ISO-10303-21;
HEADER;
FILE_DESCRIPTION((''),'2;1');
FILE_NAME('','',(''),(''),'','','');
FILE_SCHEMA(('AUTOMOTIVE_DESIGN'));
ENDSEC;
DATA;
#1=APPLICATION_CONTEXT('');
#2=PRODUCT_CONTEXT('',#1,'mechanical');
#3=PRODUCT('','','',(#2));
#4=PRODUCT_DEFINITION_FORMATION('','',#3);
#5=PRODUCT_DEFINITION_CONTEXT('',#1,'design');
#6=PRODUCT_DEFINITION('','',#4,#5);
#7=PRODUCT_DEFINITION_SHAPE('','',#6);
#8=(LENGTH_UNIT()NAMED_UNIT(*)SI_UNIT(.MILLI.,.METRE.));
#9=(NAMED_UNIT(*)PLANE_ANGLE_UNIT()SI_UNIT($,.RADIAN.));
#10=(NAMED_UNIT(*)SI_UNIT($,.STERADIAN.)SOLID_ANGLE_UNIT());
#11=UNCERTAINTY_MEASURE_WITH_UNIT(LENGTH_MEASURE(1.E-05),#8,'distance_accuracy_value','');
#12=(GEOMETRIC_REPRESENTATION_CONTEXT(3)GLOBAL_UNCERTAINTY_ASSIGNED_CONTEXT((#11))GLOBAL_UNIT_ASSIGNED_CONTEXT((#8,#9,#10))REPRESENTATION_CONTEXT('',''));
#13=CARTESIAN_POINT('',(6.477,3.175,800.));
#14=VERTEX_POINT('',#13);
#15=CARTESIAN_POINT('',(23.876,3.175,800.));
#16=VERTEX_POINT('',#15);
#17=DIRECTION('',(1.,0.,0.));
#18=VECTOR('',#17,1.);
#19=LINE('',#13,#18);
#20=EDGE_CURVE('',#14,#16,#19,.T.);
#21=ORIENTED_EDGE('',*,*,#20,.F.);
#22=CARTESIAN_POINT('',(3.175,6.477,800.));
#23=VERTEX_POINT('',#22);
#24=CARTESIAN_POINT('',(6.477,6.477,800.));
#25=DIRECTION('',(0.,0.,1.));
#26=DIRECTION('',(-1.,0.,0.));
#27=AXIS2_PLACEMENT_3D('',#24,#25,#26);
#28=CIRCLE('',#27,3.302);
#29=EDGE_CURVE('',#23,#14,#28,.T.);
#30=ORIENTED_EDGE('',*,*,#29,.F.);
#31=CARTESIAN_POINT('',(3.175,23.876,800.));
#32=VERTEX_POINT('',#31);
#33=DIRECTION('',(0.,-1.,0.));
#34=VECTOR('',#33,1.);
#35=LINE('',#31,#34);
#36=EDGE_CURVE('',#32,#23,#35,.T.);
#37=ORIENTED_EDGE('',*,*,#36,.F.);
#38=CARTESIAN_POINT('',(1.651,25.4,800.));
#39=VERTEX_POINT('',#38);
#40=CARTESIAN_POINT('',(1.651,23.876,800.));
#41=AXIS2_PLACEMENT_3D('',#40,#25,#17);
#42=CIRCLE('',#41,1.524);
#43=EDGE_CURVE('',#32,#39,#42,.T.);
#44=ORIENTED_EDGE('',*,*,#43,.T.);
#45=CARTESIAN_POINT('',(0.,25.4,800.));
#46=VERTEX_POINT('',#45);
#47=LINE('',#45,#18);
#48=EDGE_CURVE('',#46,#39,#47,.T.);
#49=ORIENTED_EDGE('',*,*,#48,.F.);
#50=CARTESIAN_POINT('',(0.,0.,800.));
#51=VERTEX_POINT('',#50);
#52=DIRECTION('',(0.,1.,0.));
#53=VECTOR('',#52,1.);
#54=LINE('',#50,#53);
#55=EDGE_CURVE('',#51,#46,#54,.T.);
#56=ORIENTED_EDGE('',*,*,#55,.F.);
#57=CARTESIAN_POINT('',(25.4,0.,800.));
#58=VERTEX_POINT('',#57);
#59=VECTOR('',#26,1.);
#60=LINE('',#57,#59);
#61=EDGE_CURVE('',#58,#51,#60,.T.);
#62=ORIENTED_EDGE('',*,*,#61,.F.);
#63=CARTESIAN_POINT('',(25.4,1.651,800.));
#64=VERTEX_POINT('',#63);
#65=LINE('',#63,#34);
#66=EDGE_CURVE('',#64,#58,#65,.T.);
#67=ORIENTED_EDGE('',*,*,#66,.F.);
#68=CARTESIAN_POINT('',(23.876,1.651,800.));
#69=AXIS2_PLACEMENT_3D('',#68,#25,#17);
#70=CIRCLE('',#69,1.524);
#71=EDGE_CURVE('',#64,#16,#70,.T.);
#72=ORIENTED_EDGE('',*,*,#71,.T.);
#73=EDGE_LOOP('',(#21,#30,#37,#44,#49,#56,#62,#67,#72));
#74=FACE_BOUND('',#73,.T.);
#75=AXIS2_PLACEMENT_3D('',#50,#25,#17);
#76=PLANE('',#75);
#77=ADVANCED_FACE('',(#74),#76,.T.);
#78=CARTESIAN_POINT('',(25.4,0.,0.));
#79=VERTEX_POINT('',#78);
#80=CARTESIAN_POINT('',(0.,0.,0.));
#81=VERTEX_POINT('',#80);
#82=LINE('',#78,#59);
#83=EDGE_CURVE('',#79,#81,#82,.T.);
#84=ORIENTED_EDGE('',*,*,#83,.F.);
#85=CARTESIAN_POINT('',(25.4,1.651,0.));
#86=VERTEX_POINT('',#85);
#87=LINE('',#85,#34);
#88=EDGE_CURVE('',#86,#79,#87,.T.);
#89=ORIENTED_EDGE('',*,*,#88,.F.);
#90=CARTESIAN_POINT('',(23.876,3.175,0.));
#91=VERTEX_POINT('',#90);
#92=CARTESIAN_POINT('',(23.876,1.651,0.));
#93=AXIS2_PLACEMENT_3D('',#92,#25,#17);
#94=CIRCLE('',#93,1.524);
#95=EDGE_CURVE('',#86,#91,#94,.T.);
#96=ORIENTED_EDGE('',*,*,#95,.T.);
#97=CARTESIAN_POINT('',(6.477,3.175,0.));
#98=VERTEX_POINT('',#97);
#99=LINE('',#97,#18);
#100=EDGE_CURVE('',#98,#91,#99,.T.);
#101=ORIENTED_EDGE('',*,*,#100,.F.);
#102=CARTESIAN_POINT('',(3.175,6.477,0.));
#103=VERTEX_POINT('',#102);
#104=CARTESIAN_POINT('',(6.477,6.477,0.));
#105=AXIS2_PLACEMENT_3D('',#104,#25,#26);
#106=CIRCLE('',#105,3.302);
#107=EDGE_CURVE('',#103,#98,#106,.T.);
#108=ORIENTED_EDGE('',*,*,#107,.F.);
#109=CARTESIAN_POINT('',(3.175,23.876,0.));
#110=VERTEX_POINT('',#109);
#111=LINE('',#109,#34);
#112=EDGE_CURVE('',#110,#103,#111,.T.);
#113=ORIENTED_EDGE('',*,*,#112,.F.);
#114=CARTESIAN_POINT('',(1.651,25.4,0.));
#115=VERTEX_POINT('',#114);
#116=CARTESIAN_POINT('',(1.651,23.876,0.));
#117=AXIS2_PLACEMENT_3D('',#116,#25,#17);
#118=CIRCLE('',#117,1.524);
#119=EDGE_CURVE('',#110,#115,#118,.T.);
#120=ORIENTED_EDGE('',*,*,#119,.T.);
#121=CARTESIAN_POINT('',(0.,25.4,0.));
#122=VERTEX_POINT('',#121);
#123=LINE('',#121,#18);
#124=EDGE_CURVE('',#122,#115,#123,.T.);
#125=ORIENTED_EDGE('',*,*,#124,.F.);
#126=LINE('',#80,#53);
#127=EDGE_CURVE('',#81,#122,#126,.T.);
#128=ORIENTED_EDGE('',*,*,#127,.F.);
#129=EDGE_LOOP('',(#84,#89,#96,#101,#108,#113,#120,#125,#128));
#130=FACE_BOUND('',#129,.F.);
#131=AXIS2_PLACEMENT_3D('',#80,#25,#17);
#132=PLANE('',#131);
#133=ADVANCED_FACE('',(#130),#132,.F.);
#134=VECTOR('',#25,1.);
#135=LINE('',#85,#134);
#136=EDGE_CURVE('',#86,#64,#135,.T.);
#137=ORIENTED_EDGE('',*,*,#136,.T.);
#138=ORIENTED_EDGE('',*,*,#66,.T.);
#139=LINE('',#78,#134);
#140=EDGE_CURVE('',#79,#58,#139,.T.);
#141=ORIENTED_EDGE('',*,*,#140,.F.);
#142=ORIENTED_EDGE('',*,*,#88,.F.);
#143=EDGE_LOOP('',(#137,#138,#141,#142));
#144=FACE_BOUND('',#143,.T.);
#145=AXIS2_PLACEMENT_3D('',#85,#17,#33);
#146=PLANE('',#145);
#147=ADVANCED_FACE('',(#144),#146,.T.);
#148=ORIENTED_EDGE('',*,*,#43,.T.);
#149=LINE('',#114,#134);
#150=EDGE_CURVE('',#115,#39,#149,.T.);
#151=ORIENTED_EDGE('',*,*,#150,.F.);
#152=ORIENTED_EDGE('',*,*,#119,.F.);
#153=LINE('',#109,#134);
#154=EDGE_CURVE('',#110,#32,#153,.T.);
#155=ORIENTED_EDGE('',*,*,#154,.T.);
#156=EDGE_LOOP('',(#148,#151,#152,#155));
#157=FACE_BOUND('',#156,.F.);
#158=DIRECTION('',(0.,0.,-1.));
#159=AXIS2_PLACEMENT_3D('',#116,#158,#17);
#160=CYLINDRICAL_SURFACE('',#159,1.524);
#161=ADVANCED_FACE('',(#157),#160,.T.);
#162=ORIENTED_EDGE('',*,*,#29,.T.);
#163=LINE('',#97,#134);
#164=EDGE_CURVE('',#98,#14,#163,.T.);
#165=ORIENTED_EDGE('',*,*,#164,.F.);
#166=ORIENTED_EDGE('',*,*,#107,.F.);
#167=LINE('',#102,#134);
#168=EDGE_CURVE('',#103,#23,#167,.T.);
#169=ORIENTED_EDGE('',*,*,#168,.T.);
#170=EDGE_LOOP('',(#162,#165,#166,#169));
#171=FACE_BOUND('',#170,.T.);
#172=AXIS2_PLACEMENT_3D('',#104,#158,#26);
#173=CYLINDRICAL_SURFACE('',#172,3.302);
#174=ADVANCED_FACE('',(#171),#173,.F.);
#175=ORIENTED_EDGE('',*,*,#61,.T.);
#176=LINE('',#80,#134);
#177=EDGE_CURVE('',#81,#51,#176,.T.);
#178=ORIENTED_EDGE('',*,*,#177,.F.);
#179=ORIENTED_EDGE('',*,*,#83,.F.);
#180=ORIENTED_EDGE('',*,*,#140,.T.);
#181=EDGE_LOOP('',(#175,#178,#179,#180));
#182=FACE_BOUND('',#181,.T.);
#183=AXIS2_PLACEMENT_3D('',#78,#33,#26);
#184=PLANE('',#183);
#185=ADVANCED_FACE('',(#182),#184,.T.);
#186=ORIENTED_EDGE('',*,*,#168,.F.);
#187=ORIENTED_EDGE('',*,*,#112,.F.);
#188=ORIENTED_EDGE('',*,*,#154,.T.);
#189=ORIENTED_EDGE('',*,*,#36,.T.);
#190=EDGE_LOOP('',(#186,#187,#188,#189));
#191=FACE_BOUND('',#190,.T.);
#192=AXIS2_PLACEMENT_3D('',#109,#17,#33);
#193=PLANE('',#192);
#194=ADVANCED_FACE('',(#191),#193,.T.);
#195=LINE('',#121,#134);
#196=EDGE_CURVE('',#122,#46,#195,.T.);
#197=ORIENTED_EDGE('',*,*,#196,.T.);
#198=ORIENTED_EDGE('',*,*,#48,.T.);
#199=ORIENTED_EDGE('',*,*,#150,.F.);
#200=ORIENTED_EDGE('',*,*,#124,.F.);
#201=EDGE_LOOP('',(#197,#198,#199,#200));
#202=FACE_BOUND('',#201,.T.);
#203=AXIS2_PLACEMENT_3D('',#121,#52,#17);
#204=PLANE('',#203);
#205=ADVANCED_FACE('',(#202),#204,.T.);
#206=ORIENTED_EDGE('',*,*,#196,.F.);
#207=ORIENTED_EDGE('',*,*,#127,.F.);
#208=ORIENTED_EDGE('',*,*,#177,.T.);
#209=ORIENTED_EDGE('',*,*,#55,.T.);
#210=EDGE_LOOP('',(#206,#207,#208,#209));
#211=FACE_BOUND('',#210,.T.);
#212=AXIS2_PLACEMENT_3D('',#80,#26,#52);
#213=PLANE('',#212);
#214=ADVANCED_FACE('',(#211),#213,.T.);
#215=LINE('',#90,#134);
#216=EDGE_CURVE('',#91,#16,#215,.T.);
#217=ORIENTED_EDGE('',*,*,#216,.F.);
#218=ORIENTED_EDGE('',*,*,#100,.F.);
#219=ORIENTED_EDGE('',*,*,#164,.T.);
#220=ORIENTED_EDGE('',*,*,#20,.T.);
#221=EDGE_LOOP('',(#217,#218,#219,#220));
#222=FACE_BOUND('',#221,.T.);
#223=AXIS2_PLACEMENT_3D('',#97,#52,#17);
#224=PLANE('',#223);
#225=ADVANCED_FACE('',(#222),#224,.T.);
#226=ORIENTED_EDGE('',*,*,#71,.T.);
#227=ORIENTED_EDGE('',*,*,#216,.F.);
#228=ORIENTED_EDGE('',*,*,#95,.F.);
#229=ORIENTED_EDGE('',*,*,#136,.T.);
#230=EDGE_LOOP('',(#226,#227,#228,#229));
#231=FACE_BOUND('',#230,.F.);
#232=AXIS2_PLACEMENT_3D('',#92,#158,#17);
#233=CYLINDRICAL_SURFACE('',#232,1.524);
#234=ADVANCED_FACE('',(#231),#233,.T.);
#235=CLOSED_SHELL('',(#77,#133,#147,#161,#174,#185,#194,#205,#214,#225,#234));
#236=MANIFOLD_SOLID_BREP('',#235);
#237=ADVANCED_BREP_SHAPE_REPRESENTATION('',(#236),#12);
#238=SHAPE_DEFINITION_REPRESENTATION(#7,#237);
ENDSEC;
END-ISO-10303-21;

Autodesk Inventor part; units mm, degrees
ref_plane "YZ Plane" through (0, 0, 0) normal (1, 0, 0) x (0, 1, 0)
ref_plane "Start Plane" through (0, 0, 0) normal (0, 0, 1) x (1, 0, 0)
ref_plane "End Plane" through (0, 0, 800) normal (0, 0, 1) x (1, 0, 0)
sketch "Sketch" plane through (0, 0, 0) normal (0, 0, 1) x (1, 0, 0)
  line L0 (25.4, 0) -> (0, 0)
  line L1 (0, 0) -> (0, 25.4)
  line L2 (0, 25.4) -> (1.651, 25.4)
  line L3 (3.175, 23.876) -> (3.175, 6.477)
  line L4 (6.477, 3.175) -> (23.876, 3.175)
  line L5 (25.4, 1.651) -> (25.4, 0)
  line L6 (0, -11.0414) -> (0, 31.5385) construction
  line L7 (-11.0414, 0) -> (31.5385, 0) construction
  arc A0 (3.175, 6.477) -> (6.477, 3.175) centre (6.477, 6.477) ccw
  arc A1 (3.175, 23.876) -> (1.651, 25.4) centre (1.651, 23.876) ccw
  arc A2 (25.4, 1.651) -> (23.876, 3.175) centre (23.876, 1.651) ccw
  line L8 (0, 40.0545) -> (0, -19.5574) construction
  line L9 (-19.5574, 0) -> (40.0545, 0) construction
  point P0 (3.175, 25.4)
  point P1 (3.175, 3.175)
  point P2 (25.4, 3.175)
  dimension "d0" = 25.4
  dimension "d1" = 25.4
  dimension "d2" = 3.175
  dimension "d3" = 3.175
  dimension "d10" = 0
  dimension "d11" = 0
  dimension "d14" = 3.302
  dimension "d15" = 1.524
extrude "Body" add sketch "Sketch" along normal up to surface (800 mm away) from surface at 0
sketch "Sketch3" plane through (0, 0, 0) normal (0, 0, 1) x (1, 0, 0)
  line L0 (0, 0) -> (10, 0)
ref_plane "Work Plane3" through (0, 0, 0) normal (0, -1, 0) x (1, 0, 0)
sketch "Sketch4" plane through (0, 0, 0) normal (0, -1, 0) x (1, 0, 0)
  line L0 (-2, 0) -> (12, 0) projected
  line L1 (-2, 800) -> (12, 800) projected
  dimension "d17" = 800
equation "\"d0\" = G_H"
equation "\"d1\" = G_H"
equation "\"d2\" = G_T"
equation "\"d3\" = G_T"
equation "\"d14\" = G_IR"
equation "\"d15\" = G_ER"
equation "\"d4\" = G_L"
equation "\"G_H\" = 25.4"
equation "\"G_T\" = 3.175"
equation "\"G_ER\" = 1.524"
equation "\"G_IR\" = 3.302"
equation "\"G_L\" = d17"
equation "\"ex\" = 0"
equation "\"G_OFFSET_START\" = 0"
equation "\"G_OFFSET_END\" = 0"
equation "\"d13\" = G_OFFSET_END + B_L"
equation "\"B_L\" = 800"
properties part number "AISC - L 1 x 1 x 1/8 - 31.496" material "Steel, Mild"
